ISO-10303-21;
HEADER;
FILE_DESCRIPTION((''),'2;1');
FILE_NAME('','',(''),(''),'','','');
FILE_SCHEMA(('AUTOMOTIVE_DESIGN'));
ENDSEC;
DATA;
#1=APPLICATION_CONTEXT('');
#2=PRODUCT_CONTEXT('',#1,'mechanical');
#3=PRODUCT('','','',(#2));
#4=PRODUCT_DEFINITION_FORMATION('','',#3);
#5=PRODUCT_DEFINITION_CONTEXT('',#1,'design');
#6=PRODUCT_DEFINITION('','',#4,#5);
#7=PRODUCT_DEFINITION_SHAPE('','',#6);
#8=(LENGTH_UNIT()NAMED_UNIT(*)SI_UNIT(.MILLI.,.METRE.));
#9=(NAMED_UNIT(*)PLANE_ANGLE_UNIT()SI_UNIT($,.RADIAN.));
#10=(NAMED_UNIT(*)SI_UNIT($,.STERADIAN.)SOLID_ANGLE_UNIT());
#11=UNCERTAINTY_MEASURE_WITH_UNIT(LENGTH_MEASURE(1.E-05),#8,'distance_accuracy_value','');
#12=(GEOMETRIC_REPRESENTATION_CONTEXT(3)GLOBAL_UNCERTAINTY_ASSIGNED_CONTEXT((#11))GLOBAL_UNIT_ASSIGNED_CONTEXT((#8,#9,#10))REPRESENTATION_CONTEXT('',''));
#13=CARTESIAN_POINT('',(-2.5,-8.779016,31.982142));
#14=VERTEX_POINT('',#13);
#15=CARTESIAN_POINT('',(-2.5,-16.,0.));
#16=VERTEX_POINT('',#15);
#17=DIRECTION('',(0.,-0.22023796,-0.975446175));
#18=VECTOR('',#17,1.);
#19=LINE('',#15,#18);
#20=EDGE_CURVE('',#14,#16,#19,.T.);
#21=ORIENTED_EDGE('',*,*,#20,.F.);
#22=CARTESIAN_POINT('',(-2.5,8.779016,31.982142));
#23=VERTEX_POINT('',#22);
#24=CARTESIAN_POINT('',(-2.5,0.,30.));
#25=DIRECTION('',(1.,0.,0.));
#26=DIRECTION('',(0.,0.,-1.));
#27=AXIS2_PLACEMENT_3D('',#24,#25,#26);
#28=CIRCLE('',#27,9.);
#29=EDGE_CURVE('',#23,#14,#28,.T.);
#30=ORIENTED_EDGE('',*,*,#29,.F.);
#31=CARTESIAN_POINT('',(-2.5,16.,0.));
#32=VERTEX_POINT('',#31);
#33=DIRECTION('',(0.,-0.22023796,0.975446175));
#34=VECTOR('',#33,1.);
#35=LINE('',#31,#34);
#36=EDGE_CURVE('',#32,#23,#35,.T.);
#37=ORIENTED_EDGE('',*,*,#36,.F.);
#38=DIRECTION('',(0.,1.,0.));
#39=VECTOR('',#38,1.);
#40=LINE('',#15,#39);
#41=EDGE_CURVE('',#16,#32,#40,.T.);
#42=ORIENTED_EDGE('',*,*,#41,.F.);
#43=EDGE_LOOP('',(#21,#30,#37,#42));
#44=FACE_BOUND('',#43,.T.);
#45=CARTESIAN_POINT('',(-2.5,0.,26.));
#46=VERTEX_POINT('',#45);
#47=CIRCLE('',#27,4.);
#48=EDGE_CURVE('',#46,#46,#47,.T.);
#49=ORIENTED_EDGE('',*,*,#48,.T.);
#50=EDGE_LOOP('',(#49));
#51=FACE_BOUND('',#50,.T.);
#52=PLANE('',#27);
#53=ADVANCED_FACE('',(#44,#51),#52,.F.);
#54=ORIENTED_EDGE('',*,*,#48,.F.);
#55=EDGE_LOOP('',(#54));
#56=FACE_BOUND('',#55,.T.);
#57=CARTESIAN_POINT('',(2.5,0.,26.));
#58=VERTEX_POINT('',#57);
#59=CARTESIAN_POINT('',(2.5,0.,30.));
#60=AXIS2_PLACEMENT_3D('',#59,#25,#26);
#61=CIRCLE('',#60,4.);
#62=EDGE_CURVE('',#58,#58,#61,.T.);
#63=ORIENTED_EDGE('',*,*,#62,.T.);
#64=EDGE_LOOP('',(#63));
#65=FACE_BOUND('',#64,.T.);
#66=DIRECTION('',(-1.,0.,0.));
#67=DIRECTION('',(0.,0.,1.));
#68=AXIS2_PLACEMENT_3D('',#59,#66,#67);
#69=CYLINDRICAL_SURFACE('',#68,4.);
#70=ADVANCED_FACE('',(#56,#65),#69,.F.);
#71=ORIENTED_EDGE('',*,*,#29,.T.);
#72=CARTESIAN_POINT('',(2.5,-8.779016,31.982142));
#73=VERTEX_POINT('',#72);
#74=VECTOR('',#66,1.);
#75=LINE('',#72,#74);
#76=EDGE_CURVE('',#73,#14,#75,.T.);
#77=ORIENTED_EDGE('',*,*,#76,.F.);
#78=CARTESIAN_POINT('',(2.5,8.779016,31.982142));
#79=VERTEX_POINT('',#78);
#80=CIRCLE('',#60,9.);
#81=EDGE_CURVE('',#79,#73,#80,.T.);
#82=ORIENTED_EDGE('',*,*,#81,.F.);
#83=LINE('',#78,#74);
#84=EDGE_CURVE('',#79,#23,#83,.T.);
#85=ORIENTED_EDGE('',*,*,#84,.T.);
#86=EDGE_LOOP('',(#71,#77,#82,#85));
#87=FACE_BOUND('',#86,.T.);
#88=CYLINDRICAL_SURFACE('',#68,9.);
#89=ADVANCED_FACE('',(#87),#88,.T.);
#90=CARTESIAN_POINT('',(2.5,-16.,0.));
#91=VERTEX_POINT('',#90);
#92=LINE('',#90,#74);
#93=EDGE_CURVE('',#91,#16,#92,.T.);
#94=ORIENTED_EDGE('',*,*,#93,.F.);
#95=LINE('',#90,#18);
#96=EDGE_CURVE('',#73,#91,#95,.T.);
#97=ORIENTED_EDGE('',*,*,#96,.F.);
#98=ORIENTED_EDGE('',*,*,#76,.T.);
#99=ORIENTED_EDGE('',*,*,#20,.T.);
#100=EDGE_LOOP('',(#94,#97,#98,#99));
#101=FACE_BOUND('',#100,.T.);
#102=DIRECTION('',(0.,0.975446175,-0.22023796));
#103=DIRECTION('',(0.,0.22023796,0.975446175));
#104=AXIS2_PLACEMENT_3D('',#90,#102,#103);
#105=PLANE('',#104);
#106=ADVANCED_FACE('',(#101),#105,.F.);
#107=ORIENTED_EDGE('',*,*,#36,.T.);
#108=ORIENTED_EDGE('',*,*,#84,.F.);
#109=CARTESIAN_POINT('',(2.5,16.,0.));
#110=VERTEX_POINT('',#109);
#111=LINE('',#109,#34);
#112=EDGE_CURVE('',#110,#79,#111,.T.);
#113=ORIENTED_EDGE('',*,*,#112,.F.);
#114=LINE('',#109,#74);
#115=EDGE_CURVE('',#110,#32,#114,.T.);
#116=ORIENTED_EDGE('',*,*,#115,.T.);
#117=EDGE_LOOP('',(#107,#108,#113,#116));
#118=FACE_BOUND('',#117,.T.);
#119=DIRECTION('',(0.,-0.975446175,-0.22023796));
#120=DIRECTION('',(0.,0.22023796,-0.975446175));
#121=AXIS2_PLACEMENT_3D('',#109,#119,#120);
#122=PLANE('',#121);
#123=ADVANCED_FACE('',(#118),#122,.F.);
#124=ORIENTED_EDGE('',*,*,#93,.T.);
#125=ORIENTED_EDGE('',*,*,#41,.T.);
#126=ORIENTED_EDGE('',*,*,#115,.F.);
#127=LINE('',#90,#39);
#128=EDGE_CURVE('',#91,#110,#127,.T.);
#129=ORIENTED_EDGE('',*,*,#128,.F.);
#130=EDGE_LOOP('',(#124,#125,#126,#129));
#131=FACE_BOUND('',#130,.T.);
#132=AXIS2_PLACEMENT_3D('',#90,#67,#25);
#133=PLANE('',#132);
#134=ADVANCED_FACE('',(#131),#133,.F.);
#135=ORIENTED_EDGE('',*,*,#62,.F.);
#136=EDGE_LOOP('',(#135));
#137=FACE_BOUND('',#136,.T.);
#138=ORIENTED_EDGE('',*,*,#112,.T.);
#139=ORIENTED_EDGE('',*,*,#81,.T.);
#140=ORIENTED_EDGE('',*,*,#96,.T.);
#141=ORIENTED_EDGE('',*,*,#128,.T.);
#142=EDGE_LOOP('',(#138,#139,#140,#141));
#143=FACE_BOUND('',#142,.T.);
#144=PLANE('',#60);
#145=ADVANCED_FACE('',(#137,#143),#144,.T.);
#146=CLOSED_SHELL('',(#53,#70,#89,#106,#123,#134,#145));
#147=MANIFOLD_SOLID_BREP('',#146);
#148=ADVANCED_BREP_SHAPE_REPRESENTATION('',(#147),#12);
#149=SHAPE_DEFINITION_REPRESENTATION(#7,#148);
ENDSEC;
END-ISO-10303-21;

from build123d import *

# Parameters (mm, degrees)
SKETCH1_R           = 4
BOSS_EXTRUDE1_DEPTH = 2.5


with BuildPart() as part:
    # Sketch1 → Boss-Extrude1 (new, symmetric)
    with BuildSketch(Plane.YZ):
        with BuildLine():
            Line((-16, 0), (16, 0))
            Line((16, 0), (8.779015578, 31.982141641))
            ThreePointArc((8.779015578, 31.982141641), (0, 39), (-8.779015578, 31.982141641))
            Line((-8.779015578, 31.982141641), (-16, 0))
        make_face()
        with Locations(Location((0, 30, 0), (0, 0, 270))):
            Circle(SKETCH1_R, mode=Mode.SUBTRACT)
    extrude(amount=BOSS_EXTRUDE1_DEPTH, both=True)


solid = part.part
